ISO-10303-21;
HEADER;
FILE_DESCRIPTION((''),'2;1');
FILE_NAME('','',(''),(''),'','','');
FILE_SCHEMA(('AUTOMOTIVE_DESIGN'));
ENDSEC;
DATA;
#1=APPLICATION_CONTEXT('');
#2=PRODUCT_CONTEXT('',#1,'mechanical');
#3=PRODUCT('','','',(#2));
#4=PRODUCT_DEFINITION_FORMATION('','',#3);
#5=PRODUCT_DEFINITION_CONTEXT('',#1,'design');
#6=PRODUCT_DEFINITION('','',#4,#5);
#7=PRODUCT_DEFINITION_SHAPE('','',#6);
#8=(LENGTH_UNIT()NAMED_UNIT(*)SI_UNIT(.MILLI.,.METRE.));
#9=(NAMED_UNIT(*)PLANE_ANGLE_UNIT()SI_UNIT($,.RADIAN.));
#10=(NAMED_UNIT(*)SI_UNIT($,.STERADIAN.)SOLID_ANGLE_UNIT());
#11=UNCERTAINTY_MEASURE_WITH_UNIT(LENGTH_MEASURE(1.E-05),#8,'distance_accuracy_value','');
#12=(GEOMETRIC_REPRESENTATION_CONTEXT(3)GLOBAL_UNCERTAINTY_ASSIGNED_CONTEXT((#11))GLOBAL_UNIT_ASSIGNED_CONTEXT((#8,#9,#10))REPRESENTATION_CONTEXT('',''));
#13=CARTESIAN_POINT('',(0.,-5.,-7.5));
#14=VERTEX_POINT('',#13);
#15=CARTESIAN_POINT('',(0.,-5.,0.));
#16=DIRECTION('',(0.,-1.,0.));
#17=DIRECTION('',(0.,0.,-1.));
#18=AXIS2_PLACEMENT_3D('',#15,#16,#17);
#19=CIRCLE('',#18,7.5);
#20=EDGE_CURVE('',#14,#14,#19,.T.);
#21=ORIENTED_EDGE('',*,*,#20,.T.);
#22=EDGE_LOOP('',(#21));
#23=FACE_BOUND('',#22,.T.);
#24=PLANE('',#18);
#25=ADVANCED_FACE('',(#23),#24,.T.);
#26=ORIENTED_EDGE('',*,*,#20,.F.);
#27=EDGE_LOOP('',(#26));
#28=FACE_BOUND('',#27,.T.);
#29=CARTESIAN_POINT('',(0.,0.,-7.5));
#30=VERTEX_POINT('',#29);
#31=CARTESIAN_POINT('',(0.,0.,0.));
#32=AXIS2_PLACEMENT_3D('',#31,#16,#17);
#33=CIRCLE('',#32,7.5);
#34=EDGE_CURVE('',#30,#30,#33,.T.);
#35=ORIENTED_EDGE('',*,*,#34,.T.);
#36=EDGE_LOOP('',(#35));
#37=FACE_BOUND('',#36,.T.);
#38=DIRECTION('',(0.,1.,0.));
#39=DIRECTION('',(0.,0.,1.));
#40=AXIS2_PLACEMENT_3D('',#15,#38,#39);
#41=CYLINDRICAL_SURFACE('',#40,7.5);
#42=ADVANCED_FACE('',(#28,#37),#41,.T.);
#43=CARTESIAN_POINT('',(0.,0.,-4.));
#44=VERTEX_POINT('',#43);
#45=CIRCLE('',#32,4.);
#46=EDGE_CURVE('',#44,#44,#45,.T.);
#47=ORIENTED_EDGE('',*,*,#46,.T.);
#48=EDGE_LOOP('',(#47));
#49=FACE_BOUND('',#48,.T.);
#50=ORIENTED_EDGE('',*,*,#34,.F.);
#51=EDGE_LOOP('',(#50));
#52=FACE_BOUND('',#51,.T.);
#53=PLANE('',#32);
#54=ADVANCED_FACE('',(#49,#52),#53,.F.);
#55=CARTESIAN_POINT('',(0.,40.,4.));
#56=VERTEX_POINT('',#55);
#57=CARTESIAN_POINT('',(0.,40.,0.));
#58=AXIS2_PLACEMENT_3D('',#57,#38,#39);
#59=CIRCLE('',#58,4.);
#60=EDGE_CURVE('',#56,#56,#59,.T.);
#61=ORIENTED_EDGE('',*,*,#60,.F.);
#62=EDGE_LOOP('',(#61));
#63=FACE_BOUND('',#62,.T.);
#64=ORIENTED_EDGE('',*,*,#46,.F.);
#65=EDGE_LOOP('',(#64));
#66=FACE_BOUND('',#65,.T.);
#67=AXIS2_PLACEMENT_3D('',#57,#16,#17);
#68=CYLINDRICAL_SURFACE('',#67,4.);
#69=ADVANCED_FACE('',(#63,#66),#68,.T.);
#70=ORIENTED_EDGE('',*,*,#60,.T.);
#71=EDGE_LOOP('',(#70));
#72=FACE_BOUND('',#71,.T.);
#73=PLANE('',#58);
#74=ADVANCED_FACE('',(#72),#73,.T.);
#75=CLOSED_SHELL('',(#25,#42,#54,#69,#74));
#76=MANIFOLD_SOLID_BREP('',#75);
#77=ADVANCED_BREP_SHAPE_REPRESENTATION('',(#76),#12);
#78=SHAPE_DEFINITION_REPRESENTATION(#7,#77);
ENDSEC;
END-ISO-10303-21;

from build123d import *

# Parameters (mm, degrees)
SKETCH_1_R      = 4
EXTRUDE_1_DEPTH = 40
SKETCH_2_R      = 7.5
EXTRUDE_2_DEPTH = 5


with BuildPart() as part:
    # 草圖1 → 填料-伸長1 (new body)
    with BuildSketch(Plane(origin=(0, 0, 0), x_dir=(1, 0, 0), z_dir=(0, 1, 0))):
        with Locations(Location((0, 0, 0), (0, 0, 270))):
            Circle(SKETCH_1_R)
    extrude(amount=EXTRUDE_1_DEPTH)

    # 草圖2 → 填料-伸長2 (add)
    with BuildSketch(Plane(origin=(0, 0, 0), x_dir=(-1, 0, 0), z_dir=(0, -1, 0))):
        with Locations(Location((0, 0, 0), (0, 0, 90))):
            Circle(SKETCH_2_R)
    extrude(amount=EXTRUDE_2_DEPTH)


solid = part.part
